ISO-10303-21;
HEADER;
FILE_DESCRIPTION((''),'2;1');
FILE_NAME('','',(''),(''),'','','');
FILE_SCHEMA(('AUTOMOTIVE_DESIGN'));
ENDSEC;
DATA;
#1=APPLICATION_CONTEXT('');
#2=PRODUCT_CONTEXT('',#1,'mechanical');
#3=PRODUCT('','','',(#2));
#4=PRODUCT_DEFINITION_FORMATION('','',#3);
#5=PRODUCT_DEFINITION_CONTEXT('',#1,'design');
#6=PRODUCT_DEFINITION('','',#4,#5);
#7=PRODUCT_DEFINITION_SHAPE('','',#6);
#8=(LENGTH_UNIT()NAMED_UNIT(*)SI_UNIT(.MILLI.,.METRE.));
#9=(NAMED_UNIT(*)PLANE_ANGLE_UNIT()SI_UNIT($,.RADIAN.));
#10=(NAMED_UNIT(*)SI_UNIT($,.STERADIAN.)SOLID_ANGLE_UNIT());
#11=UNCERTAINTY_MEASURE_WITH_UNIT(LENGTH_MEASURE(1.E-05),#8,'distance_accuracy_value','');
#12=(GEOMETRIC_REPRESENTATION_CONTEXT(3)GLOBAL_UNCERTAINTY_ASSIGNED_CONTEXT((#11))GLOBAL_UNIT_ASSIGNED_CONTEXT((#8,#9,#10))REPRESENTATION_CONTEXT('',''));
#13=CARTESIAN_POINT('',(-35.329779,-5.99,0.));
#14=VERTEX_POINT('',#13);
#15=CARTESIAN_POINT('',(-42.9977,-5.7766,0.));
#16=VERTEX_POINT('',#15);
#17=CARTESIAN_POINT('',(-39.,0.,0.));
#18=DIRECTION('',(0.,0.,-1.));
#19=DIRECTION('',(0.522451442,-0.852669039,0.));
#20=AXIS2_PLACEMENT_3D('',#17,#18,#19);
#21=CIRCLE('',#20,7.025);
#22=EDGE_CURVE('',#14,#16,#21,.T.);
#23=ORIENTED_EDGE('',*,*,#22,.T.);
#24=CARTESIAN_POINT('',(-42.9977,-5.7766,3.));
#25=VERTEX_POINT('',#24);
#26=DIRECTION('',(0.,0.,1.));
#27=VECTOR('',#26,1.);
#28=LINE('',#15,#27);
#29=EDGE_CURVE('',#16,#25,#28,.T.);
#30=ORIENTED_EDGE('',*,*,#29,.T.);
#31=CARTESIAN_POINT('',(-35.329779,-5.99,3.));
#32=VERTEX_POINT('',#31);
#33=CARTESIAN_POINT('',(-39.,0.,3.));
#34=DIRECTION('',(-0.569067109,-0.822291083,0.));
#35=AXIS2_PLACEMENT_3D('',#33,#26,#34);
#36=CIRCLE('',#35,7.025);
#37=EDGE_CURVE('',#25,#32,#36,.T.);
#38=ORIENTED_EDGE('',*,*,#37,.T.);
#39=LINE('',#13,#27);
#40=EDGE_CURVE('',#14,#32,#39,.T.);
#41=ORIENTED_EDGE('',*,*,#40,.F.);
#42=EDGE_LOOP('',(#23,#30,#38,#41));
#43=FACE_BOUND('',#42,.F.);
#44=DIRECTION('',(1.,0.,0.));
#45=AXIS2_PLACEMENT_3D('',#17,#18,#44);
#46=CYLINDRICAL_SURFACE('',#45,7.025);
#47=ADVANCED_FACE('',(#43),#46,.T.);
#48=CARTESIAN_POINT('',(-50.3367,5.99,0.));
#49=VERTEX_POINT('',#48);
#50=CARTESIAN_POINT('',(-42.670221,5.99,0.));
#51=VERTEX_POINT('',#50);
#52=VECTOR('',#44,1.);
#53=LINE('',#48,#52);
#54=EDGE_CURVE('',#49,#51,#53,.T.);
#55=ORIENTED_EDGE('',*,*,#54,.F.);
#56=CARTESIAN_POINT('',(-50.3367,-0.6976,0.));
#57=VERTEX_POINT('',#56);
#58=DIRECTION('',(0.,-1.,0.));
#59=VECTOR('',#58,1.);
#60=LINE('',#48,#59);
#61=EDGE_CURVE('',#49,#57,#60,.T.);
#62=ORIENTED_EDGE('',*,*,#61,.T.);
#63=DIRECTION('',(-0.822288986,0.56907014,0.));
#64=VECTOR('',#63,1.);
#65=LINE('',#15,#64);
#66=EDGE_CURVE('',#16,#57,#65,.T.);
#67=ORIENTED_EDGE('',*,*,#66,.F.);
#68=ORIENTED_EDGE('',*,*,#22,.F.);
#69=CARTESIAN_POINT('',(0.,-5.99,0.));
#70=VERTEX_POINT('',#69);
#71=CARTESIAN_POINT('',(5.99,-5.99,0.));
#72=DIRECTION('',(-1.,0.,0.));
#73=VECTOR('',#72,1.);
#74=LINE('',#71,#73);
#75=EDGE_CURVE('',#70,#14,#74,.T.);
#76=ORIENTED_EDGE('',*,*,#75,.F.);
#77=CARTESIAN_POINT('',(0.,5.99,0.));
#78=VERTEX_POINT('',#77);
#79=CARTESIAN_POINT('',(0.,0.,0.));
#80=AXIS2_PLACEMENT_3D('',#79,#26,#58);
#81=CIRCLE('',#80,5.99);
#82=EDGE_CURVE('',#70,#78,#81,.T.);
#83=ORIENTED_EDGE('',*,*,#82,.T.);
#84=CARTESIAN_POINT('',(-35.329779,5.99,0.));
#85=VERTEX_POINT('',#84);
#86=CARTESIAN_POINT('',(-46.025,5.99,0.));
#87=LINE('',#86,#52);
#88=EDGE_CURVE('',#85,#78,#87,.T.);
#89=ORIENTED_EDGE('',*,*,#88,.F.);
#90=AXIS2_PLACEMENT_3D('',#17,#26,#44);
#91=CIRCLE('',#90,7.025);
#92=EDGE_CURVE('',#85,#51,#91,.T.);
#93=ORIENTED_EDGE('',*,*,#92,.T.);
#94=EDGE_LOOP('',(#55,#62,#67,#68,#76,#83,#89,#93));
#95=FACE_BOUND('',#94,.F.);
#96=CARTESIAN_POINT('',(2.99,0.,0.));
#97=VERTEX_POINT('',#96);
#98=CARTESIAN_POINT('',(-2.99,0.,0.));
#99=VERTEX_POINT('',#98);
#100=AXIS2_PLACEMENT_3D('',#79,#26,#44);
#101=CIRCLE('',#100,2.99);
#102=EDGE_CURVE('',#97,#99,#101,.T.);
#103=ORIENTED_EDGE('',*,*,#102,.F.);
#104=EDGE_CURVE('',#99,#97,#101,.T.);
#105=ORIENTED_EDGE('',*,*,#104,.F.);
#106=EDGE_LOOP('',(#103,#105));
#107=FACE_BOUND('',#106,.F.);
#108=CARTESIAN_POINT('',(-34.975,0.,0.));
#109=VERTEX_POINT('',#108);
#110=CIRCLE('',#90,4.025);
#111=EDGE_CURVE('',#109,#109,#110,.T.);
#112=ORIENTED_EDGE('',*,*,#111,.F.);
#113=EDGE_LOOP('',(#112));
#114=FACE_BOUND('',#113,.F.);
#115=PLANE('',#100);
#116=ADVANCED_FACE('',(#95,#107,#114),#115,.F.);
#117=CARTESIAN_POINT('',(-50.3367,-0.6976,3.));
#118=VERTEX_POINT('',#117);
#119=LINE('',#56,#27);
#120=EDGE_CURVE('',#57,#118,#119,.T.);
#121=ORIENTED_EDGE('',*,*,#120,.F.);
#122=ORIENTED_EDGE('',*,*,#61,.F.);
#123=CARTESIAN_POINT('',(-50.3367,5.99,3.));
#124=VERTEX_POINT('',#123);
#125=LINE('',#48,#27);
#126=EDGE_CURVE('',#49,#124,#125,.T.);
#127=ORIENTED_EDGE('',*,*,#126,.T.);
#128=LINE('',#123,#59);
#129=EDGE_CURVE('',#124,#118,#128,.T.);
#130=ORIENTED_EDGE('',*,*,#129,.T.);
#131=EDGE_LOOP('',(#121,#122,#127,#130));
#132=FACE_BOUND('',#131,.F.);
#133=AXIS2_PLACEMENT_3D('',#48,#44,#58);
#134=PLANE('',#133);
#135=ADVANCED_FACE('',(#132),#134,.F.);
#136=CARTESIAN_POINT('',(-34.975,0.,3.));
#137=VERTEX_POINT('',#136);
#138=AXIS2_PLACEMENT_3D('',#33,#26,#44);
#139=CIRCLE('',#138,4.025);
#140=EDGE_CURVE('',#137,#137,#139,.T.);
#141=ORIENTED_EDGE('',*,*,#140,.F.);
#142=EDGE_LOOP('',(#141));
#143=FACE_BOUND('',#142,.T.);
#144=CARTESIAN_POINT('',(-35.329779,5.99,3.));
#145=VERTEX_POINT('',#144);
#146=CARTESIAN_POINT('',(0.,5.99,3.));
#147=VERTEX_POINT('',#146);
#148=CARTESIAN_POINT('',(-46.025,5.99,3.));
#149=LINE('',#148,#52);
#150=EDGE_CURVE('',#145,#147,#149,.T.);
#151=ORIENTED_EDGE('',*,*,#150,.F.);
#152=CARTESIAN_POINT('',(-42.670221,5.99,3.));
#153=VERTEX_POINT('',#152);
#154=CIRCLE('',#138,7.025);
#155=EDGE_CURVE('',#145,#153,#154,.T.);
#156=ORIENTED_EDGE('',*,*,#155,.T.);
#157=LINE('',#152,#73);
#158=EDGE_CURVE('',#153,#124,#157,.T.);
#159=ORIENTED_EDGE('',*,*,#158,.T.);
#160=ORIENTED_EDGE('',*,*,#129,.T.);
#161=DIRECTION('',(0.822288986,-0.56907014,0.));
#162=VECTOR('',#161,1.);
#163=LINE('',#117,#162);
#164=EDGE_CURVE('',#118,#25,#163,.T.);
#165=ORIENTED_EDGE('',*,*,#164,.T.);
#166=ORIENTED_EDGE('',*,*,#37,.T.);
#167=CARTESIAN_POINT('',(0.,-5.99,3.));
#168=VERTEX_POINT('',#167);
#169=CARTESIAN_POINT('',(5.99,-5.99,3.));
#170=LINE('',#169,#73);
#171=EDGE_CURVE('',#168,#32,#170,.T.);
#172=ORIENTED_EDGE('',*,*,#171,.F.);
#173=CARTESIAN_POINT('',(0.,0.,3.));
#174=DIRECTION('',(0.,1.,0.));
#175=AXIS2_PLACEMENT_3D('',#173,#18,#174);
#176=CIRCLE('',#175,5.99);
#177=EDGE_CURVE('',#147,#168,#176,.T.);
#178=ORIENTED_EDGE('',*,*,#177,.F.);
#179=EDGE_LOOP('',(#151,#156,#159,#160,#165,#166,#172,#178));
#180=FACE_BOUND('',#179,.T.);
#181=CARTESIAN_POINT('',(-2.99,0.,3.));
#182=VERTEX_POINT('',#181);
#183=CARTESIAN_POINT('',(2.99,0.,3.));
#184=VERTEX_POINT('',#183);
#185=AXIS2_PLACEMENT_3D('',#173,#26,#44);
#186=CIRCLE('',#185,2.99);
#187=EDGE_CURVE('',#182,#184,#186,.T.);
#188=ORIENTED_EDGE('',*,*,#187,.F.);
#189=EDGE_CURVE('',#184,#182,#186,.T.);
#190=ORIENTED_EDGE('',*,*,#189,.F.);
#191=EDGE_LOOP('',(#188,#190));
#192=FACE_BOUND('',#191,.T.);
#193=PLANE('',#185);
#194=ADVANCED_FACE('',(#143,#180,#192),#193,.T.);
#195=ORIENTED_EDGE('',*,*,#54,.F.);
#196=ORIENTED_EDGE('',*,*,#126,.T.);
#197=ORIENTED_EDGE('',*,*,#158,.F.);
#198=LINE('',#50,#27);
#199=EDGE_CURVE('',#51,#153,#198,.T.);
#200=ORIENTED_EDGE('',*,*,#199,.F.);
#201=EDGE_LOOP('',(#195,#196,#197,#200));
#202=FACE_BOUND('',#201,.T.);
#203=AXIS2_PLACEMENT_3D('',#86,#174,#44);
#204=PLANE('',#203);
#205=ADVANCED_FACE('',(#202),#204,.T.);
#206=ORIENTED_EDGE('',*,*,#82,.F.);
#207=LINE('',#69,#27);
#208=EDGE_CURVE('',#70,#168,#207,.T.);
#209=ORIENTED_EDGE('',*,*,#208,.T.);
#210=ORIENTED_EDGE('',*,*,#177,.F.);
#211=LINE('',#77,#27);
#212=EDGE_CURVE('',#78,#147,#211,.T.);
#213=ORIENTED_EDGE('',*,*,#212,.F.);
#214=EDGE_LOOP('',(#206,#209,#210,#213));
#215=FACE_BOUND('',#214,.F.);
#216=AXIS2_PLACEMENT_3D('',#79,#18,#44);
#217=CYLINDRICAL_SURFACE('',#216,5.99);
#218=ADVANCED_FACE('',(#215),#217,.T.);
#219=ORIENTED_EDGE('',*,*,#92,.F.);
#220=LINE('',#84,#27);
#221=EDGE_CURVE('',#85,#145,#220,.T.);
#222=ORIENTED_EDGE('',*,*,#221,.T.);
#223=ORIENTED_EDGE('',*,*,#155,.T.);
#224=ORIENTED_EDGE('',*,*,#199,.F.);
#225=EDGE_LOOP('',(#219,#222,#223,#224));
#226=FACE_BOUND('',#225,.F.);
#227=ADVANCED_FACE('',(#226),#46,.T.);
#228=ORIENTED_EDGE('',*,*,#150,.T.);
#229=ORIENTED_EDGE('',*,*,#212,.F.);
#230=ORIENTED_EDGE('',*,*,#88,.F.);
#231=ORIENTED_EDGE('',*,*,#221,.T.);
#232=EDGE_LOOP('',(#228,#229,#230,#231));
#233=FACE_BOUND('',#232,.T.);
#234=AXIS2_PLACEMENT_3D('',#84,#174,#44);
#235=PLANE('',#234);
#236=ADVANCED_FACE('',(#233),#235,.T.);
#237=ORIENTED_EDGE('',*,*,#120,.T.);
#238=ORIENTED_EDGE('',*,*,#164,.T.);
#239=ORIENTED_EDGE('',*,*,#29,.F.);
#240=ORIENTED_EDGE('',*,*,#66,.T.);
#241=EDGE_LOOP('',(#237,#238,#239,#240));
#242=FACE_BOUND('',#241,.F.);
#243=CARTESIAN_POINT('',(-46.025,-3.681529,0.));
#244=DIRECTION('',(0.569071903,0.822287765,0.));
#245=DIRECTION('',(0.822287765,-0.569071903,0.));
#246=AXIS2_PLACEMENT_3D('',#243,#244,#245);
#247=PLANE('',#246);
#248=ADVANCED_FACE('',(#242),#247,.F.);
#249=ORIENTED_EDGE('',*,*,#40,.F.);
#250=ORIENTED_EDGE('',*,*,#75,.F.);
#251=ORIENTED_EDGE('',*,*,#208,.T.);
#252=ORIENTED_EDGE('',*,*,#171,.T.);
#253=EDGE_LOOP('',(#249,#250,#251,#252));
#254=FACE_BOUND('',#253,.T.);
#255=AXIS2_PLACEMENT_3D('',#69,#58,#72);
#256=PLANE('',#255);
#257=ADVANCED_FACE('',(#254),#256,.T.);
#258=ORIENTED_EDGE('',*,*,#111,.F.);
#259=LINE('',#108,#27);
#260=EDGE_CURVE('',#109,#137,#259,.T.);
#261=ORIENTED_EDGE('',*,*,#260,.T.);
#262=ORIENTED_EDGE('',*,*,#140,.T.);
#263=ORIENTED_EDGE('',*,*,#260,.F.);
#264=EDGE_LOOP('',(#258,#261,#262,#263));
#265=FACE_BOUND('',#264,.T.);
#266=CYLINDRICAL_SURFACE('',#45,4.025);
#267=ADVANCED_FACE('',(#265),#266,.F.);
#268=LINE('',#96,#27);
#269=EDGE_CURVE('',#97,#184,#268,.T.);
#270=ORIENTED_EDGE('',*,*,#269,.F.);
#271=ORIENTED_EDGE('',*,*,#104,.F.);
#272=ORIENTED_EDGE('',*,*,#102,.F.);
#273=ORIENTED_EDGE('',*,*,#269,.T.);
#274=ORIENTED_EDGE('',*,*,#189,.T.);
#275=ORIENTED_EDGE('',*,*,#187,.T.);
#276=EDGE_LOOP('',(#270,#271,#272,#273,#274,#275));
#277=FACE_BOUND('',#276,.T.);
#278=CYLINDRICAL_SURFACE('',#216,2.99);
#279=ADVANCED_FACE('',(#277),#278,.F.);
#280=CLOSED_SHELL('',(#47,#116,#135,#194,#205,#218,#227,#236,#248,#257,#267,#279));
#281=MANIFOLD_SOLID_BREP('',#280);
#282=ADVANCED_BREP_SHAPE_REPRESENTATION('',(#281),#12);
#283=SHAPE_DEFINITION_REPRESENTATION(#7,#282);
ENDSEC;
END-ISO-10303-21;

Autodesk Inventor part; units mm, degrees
ref_plane "YZ Plane" through (0, 0, 0) normal (1, 0, 0) x (0, 1, 0)
ref_plane "XZ Plane" through (0, 0, 0) normal (0, 1, 0) x (-1, 0, 0)
ref_plane "XY Plane" through (0, 0, 0) normal (0, 0, 1) x (1, 0, 0)
sketch "スケッチ1" plane through (0, 0, 0) normal (0, 0, 1) x (1, 0, 0)
  line L0 (0, 0) -> (-39, 0)
  circle A0 centre (-39, 0) radius 4.025
  circle A1 centre (0, 0) radius 2.99
  circle A2 centre (-39, 0) radius 7.025
  circle A3 centre (0, 0) radius 5.99
  line L1 (-46.025, 5.99) -> (5.99, 5.99)
  line L2 (5.99, 5.99) -> (5.99, -5.99)
  line L3 (5.99, -5.99) -> (-46.025, -5.99)
  line L4 (-46.025, -5.99) -> (-46.025, 5.99)
  line L5 (-46.025, 5.99) -> (-60, 5.99)
  line L6 (-60, 5.99) -> (-42.9977, -5.7766)
  line L7 (-50.3367, 5.99) -> (-50.3367, -0.6976)
  point P0 (-35.3298, -5.99)
  point P1 (-35.3298, 5.99)
  point P2 (0, 5.99)
  point P3 (0, -5.99)
  point P4 (-29.6595, 5.99)
  point P5 (-42.6702, 5.99)
  point P6 (-40.3405, 5.99)
  point P7 (-40.3405, -5.99)
  point P8 (-42.6702, -5.99)
  point P9 (-29.6595, -5.99)
  point P10 (-46.025, 0)
  point P11 (5.99, 0)
  point P12 (-46.025, -3.6815)
  dimension "d0" = 39
  dimension "d1" = 8.05
  dimension "d2" = 5.98
  dimension "d3" = 3
  dimension "d4" = 3
extrude "押し出し1" add sketch "スケッチ1" along normal blind 3 contours A2 L1 A3 L0 | A2 L3 L1 | L0 A3 L3 A2 | A3 | L1 A2 | A2 L3 | A2 L4 L1 | A2 L6 L4 | L4 L6 L7 L5
sketch "スケッチ2" plane through (0, 0, 0) normal (0, 0, -1) x (-1, 0, 0)
  arc A0 (35.3298, -5.99) -> (42.9977, -5.7766) centre (39, 0) ccw projected
  line L0 (50.3367, -0.6976) -> (42.9977, -5.7766) projected
  line L1 (50.3367, 5.99) -> (50.3367, -0.6976) projected
  line L2 (42.6702, 5.99) -> (50.3367, 5.99) projected
  arc A1 (42.6702, 5.99) -> (35.3298, 5.99) centre (39, 0) ccw projected
  line L3 (0, 5.99) -> (35.3298, 5.99) projected
  arc A2 (0, 5.99) -> (0, -5.99) centre (0, 0) ccw projected
  line L4 (35.3298, -5.99) -> (0, -5.99) projected
  circle A3 centre (39, 0) radius 4.025 projected
  circle A4 centre (0, 0) radius 2.99 projected
  line L5 (47.026, -2.9887) -> (48.56, -0.3319) construction
  line L6 (47.9354, -3.5137) -> (49.4693, -0.8569)
  line L7 (47.6506, 0.1931) -> (46.1167, -2.4637)
  arc A5 (46.1167, -2.4637) -> (47.9354, -3.5137) centre (47.026, -2.9887) ccw
  arc A6 (49.4693, -0.8569) -> (47.6506, 0.1931) centre (48.56, -0.3319) ccw
  point P0 (47.793, -1.6603)
  point P1 (46.1626, -3.5863)
  point P2 (49.0453, -1.5913)
  dimension "d11" = 2.1
  dimension "d12" = 30
properties part number "アーム揺動節test" material "アルミニウム 7075"
